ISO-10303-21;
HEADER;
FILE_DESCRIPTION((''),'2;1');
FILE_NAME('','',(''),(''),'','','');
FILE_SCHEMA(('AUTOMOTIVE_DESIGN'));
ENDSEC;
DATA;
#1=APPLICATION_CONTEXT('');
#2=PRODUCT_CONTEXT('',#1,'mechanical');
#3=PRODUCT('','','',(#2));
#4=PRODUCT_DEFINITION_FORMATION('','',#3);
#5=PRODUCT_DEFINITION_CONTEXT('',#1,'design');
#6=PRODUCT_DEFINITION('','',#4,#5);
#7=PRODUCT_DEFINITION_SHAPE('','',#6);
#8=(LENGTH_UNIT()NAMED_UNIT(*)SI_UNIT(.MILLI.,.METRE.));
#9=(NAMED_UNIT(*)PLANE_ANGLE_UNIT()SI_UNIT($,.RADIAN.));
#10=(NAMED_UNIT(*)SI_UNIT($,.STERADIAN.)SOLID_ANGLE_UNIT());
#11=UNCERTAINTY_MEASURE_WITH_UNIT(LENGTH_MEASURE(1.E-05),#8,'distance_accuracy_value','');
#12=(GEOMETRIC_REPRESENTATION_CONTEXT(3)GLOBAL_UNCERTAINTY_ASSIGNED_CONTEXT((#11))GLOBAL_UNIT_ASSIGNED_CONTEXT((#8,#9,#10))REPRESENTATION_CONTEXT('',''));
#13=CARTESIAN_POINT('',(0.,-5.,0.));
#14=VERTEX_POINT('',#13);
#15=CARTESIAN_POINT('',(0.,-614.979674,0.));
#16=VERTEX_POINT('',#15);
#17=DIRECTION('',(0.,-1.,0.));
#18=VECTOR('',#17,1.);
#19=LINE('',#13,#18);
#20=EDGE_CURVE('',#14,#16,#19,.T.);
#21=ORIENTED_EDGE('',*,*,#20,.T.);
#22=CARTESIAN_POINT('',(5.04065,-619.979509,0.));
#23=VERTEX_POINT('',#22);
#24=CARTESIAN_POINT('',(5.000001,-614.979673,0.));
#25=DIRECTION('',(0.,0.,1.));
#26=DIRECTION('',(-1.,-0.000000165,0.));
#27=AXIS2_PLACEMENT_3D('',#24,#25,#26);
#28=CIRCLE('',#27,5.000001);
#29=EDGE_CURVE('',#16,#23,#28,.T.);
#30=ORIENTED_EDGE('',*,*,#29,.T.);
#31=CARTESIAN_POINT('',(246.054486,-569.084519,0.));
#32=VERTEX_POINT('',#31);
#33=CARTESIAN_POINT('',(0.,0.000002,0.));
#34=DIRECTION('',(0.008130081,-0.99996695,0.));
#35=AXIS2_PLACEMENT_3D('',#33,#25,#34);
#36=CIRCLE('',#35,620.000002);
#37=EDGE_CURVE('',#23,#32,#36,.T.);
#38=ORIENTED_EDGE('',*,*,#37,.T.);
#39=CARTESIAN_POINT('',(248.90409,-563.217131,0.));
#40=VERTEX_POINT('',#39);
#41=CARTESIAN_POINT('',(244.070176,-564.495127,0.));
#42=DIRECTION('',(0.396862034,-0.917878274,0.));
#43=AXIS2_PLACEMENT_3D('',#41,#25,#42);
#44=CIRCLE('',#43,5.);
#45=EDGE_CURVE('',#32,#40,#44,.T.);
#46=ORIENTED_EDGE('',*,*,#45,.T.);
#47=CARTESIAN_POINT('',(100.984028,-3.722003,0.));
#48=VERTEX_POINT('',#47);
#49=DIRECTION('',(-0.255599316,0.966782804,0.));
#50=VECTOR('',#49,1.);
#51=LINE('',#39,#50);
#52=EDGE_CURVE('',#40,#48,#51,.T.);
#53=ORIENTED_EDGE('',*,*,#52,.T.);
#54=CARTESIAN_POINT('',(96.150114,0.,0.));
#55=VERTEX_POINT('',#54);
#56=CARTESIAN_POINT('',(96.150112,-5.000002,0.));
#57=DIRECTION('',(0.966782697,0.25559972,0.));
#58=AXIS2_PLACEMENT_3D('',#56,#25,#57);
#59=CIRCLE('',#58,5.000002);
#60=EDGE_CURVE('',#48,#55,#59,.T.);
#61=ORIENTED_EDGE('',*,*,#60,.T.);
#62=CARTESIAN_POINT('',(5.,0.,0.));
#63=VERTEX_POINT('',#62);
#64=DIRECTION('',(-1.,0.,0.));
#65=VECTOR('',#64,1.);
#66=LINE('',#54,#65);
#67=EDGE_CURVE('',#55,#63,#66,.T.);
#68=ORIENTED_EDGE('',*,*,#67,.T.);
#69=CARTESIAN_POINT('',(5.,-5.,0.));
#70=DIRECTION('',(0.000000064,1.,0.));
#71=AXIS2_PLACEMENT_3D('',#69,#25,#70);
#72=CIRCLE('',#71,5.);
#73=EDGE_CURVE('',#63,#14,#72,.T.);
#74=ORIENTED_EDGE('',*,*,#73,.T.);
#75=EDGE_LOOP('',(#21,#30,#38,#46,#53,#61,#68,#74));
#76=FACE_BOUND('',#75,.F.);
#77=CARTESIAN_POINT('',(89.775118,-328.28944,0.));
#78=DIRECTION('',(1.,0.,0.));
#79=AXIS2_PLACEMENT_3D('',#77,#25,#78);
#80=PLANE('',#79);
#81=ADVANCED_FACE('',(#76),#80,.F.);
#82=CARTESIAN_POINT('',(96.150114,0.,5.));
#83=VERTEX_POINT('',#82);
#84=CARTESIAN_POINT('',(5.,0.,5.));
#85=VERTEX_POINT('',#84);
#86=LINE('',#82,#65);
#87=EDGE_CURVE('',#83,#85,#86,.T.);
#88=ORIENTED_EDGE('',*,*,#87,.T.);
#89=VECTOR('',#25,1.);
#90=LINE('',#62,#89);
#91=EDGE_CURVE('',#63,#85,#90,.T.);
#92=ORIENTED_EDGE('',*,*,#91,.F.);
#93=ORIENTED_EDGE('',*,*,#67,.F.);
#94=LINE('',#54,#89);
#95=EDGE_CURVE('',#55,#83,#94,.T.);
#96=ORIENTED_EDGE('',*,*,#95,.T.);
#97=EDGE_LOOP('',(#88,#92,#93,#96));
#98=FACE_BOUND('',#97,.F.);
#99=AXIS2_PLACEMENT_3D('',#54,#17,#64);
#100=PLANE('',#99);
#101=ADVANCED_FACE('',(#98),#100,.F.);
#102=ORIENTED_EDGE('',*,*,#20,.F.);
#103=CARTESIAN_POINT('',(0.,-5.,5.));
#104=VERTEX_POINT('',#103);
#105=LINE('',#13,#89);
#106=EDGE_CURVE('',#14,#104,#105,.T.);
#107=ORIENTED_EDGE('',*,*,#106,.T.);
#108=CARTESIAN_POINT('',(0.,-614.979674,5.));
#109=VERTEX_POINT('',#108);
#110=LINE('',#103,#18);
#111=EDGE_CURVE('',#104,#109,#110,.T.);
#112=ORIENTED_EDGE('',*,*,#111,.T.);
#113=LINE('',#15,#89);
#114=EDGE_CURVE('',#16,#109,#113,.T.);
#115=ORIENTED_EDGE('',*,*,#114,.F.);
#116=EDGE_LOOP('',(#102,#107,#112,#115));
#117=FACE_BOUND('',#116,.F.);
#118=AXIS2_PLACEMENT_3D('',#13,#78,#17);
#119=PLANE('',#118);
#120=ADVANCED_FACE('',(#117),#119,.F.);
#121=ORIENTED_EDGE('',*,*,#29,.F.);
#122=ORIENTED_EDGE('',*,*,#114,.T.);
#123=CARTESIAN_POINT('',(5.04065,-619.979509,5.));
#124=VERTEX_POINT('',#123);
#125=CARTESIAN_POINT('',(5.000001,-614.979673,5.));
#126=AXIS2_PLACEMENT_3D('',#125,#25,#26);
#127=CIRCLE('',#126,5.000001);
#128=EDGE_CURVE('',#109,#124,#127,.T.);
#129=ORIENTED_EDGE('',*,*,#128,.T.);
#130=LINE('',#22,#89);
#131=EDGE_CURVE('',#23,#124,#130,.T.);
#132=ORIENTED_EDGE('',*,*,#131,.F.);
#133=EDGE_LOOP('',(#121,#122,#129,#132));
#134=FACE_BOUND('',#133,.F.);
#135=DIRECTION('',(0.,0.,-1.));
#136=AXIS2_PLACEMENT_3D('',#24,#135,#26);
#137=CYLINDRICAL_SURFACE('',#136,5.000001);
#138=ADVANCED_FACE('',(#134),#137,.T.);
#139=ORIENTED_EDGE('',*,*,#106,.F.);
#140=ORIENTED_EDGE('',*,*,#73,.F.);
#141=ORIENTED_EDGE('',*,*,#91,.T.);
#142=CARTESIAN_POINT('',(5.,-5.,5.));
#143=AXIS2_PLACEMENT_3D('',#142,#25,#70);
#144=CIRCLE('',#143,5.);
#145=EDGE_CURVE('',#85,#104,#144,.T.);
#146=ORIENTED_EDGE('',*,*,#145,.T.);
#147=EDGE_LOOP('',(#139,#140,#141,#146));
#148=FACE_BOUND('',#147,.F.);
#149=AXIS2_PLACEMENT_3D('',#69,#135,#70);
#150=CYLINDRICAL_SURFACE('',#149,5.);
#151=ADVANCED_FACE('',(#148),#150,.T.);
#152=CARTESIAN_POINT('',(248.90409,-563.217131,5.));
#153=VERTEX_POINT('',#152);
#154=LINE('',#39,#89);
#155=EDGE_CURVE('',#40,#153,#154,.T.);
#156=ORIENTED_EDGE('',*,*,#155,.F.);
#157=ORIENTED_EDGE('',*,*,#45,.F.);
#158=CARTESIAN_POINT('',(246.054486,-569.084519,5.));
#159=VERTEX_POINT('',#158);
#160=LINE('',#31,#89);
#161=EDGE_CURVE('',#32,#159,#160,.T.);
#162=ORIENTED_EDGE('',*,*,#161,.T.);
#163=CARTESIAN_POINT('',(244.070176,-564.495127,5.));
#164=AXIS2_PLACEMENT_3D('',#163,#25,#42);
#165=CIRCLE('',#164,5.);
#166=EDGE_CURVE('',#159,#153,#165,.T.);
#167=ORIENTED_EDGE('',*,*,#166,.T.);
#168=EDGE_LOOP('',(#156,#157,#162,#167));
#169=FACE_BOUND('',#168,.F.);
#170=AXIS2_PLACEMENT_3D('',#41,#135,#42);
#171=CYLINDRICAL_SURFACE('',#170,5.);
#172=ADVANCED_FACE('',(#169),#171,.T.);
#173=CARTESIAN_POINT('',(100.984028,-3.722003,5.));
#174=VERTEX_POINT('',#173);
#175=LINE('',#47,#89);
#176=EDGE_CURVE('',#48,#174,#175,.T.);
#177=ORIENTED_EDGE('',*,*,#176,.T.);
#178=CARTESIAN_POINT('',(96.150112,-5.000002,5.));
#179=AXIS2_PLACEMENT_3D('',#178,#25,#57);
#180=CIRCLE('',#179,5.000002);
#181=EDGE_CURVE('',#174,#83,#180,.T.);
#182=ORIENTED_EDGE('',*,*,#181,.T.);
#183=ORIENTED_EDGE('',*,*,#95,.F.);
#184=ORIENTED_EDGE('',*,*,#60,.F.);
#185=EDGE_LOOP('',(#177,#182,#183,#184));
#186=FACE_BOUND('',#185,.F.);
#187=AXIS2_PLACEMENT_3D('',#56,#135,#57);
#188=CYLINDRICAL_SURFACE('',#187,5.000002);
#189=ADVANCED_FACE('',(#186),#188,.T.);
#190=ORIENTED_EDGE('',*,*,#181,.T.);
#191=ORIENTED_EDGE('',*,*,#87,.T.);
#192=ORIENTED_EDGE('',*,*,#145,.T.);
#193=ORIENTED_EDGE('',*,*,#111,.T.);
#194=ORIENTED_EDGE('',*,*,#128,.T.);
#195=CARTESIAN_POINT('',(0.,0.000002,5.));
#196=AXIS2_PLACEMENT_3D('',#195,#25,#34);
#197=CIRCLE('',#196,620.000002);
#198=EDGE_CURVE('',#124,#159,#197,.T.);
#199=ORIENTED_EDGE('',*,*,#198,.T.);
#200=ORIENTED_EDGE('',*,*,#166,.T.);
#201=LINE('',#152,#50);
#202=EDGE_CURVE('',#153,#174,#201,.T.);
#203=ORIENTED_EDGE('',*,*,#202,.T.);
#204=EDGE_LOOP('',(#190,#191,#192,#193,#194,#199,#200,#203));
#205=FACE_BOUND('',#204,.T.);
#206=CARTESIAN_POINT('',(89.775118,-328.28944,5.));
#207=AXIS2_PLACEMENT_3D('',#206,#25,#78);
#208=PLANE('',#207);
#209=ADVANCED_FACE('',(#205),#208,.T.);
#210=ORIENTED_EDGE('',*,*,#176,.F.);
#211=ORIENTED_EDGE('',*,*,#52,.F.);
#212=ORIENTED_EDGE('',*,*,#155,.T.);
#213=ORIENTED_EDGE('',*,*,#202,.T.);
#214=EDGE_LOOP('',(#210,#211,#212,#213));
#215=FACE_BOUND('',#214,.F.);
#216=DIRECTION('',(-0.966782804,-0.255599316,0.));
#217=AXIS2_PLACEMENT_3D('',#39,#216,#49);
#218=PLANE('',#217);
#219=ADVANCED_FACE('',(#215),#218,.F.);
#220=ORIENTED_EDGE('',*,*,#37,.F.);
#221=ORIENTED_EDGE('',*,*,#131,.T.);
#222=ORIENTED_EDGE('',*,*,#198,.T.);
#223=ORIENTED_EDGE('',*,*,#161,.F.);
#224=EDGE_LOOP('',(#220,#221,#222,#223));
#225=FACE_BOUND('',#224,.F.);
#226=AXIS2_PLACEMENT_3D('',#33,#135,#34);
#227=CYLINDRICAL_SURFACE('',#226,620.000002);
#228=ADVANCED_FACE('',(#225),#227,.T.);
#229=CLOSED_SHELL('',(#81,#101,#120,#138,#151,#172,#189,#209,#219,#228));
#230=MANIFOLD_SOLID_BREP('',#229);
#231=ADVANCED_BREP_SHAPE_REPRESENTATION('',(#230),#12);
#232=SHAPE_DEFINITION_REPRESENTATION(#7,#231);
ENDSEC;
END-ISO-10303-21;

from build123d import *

# Parameters (mm, degrees)
F1_DEPTH = 5


with BuildPart() as f1:
    # F0 (on Top) → F1 (new body)
    with BuildSketch(Plane.XY):
        with BuildLine():
            ThreePointArc((5, 0), (1.464466, -1.464466), (0, -5))
            Line((0, -5), (0, -614.979674))
            ThreePointArc((0, -614.979674), (1.478868, -618.529551), (5.04065, -619.979509))
            ThreePointArc((5.04065, -619.979509), (128.100613, -606.621985), (246.054486, -569.084519))
            ThreePointArc((246.054486, -569.084519), (248.567798, -566.67948), (248.90409, -563.217131))
            Line((248.90409, -563.217131), (100.984028, -3.722003))
            ThreePointArc((100.984028, -3.722003), (99.200525, -1.03831), (96.150114, 0))
            Line((96.150114, 0), (5, 0))
        make_face()
    extrude(amount=F1_DEPTH)


solid = f1.part
